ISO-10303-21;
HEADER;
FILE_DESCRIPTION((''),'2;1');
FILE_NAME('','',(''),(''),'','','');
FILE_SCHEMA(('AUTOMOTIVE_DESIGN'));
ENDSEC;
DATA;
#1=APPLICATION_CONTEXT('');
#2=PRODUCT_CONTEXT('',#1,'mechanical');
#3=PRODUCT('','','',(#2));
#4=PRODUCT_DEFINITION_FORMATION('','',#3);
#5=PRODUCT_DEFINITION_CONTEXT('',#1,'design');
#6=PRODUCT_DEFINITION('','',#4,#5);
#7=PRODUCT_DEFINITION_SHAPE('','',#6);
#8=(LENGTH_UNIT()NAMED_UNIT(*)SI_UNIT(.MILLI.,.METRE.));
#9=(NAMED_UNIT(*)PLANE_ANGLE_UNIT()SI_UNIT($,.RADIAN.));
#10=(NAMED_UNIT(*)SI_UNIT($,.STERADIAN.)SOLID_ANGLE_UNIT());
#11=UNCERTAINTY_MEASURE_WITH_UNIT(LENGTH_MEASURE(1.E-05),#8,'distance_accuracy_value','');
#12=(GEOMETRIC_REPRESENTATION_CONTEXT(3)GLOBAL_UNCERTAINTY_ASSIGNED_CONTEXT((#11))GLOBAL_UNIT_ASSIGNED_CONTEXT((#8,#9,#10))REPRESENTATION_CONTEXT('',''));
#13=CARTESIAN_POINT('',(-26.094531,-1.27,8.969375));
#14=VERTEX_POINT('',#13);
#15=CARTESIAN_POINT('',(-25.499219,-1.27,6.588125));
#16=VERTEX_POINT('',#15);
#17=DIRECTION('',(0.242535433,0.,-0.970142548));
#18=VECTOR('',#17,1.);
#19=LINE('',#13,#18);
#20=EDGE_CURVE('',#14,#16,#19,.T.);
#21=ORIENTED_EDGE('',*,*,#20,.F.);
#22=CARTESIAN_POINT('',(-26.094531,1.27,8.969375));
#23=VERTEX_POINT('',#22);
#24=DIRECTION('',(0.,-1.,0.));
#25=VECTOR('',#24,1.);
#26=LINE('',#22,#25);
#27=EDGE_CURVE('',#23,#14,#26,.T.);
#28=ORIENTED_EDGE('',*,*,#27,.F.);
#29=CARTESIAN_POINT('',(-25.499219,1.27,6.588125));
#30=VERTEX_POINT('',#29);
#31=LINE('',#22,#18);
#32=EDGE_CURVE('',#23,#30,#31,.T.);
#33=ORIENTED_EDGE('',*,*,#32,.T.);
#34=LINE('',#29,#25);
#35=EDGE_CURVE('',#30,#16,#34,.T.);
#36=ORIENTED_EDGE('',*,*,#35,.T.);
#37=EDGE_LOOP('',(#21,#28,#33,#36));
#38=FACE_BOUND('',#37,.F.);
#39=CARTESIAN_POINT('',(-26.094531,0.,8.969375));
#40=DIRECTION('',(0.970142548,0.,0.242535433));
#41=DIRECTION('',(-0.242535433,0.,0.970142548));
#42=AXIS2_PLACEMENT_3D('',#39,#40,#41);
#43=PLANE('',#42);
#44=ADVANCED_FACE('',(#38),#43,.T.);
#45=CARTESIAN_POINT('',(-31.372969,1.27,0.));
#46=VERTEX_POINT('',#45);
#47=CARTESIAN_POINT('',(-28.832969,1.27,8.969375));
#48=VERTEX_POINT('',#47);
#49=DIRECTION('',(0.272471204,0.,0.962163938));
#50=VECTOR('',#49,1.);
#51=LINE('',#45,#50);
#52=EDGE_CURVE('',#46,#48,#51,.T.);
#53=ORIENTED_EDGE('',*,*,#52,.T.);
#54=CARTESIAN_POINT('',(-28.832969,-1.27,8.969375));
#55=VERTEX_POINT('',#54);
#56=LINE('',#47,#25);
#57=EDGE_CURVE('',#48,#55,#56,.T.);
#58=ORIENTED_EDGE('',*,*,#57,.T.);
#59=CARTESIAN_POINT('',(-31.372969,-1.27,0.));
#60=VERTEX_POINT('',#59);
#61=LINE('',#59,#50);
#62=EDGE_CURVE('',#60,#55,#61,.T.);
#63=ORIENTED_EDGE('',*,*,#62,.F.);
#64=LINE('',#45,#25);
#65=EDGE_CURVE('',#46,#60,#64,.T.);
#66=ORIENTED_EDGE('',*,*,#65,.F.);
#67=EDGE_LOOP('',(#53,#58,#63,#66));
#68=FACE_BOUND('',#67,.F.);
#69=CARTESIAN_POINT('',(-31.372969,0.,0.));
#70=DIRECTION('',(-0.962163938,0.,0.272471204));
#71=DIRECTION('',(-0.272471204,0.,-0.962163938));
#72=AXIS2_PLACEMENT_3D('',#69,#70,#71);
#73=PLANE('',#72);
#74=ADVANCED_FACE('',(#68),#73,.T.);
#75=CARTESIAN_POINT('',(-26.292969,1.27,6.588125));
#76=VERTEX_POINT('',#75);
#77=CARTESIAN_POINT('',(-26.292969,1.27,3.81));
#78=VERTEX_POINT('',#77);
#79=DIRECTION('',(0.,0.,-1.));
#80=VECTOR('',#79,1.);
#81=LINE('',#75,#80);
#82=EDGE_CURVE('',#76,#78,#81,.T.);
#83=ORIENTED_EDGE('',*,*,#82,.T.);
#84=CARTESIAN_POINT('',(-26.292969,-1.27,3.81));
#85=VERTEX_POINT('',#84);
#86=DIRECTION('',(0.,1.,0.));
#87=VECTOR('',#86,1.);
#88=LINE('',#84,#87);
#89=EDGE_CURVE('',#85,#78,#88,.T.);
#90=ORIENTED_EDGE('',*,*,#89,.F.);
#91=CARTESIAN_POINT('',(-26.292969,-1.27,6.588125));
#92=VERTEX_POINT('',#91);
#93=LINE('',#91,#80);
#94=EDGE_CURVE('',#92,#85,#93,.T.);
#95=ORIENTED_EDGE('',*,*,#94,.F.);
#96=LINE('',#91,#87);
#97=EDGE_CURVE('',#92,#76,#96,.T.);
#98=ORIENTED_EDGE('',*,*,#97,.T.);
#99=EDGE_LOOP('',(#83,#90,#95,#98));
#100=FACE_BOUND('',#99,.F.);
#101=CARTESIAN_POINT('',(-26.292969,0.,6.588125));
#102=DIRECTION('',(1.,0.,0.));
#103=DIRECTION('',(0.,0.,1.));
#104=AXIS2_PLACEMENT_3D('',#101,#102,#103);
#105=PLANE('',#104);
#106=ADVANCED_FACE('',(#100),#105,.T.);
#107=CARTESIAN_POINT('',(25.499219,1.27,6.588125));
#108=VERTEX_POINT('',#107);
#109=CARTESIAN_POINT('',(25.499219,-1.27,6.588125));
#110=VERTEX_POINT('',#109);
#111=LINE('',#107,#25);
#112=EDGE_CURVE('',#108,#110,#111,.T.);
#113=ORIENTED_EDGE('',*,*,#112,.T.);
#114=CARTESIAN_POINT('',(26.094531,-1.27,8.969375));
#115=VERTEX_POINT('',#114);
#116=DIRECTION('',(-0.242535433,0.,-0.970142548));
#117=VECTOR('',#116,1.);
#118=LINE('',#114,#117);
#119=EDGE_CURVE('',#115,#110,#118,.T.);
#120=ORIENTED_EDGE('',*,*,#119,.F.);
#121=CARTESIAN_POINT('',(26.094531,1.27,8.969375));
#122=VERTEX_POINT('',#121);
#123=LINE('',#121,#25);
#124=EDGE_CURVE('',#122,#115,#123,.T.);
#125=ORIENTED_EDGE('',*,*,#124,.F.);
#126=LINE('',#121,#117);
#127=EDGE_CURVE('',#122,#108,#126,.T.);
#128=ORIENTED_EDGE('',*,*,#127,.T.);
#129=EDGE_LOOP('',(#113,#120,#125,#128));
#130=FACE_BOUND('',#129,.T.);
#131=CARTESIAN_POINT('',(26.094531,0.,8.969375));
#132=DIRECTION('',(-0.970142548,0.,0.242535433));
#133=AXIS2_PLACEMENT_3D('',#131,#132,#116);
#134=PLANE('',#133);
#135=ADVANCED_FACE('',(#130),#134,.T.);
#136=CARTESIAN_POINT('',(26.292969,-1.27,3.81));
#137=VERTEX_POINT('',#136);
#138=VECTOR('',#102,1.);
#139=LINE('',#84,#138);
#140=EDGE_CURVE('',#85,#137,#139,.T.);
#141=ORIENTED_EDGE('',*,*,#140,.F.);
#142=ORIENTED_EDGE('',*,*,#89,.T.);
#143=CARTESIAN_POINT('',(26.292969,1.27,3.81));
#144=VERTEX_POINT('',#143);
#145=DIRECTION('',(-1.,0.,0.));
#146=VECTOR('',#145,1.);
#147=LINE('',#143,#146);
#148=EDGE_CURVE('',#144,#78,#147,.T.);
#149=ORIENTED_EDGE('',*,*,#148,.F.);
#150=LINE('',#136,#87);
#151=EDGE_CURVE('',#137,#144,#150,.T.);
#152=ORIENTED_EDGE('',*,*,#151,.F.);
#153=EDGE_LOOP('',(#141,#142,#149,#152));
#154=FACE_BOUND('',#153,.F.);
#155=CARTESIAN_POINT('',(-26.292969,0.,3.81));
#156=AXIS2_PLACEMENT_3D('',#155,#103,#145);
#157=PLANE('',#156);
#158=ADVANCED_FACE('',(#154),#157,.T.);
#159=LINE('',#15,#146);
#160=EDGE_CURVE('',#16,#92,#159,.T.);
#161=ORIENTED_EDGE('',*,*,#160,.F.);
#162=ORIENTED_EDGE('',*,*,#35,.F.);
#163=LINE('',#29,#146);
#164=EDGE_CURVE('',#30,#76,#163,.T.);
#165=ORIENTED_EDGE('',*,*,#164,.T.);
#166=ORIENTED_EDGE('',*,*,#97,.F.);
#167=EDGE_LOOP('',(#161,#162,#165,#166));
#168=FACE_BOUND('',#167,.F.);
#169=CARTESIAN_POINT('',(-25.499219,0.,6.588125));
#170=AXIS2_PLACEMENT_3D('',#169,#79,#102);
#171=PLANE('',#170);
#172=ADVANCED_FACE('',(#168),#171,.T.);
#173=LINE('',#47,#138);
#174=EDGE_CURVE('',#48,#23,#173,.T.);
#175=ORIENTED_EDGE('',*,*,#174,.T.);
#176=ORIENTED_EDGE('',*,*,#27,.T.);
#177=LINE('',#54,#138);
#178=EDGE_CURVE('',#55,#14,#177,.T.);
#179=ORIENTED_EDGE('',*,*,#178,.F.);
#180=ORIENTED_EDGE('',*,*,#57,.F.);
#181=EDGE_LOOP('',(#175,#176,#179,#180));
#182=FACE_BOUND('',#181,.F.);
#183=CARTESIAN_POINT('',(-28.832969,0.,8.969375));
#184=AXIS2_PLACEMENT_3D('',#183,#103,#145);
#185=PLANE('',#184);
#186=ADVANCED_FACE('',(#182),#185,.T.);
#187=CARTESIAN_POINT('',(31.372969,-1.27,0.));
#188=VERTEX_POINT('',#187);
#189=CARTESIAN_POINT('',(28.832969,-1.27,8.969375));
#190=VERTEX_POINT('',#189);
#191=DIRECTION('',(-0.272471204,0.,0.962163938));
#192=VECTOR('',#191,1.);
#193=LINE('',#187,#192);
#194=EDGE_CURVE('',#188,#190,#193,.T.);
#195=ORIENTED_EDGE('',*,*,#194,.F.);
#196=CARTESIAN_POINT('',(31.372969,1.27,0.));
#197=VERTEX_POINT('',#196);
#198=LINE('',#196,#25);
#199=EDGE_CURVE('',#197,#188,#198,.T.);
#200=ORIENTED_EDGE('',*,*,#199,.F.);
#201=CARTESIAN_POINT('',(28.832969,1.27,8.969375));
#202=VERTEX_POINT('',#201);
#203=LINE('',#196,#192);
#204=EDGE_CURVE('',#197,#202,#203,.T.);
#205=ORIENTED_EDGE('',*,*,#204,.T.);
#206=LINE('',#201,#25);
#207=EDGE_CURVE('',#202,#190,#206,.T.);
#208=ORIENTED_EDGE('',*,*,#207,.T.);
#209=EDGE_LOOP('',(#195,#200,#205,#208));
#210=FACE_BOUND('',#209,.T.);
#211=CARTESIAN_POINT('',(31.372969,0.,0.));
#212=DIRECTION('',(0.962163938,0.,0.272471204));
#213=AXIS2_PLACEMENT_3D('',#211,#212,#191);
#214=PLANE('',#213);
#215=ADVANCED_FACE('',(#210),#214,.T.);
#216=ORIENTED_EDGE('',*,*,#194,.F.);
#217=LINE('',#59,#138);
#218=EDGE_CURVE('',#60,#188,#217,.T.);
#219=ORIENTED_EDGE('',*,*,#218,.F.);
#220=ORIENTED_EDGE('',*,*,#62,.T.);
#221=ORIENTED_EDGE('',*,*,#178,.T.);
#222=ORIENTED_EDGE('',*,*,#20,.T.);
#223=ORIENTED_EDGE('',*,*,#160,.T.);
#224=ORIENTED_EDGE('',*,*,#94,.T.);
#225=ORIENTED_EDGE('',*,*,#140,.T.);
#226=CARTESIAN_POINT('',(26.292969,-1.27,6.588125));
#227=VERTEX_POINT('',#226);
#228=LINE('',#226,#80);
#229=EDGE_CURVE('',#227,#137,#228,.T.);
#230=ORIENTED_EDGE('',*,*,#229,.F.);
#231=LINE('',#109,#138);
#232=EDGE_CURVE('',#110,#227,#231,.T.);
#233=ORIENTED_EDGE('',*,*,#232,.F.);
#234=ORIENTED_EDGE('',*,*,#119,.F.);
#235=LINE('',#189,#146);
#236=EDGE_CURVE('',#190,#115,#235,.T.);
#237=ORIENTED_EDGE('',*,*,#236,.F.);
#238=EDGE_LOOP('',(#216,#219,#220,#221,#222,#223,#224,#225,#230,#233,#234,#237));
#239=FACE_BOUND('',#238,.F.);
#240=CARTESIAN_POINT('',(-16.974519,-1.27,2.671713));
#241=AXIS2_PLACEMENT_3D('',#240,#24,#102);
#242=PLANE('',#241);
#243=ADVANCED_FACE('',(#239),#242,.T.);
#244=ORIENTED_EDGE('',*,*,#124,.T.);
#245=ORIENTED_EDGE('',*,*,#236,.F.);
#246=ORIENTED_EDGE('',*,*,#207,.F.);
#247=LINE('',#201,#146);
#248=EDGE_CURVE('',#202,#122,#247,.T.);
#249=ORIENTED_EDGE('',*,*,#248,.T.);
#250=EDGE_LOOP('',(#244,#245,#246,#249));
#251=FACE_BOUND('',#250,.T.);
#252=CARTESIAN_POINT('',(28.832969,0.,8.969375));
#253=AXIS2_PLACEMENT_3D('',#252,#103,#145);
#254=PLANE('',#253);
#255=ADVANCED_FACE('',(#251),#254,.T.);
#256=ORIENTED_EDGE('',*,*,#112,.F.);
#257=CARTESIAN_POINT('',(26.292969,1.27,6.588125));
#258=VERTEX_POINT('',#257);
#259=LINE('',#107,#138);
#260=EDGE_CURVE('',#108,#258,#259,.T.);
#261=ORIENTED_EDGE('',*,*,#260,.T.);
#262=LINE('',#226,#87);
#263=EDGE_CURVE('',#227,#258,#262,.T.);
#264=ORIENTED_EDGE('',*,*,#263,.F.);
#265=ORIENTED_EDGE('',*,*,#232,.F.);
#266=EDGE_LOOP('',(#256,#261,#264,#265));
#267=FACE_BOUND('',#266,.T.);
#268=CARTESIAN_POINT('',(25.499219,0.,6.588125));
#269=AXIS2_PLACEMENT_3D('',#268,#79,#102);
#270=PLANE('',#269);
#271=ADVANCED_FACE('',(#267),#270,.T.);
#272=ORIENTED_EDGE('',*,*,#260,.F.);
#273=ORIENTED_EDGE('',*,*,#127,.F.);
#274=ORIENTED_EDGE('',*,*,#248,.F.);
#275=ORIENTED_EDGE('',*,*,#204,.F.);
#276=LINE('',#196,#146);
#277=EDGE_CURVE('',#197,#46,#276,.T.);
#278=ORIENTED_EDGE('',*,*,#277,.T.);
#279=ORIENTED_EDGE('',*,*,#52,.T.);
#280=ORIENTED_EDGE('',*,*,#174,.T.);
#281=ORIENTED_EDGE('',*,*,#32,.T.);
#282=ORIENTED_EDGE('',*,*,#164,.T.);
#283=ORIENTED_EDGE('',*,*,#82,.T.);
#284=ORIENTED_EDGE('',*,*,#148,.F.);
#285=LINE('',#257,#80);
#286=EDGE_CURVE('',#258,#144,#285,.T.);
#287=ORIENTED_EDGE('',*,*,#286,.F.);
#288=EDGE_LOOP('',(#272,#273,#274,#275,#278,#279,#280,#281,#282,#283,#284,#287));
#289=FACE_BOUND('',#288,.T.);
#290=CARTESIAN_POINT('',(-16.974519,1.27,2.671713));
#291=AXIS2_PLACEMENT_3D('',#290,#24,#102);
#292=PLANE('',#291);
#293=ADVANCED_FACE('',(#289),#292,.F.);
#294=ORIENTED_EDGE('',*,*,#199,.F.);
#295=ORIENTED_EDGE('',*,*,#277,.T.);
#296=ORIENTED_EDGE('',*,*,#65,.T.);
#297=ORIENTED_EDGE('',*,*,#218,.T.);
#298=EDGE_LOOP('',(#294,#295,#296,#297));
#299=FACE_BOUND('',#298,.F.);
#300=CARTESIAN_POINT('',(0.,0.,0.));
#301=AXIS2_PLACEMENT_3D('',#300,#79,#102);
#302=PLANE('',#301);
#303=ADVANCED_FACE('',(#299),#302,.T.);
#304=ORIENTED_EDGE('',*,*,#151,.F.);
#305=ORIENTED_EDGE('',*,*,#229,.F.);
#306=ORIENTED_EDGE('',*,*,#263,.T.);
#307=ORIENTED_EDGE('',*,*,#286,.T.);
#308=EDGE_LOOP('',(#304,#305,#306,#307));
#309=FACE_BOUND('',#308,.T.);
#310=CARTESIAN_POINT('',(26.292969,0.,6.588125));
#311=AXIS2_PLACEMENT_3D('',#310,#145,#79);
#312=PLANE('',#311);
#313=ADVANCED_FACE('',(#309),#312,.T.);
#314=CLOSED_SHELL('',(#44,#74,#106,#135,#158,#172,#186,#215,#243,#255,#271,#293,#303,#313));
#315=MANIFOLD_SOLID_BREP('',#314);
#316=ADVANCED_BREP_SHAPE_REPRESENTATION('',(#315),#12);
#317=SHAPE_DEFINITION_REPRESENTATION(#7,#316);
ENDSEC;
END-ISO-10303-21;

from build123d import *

# Parameters (mm, degrees)
F1_DEPTH = 1.27


with BuildPart() as f1:
    # F0 (on Front) → F1 (new body, symmetric)
    with BuildSketch(Plane.XZ):
        Polygon((0, 3.81), (0, 0), (31.372969, 0), (28.832969, 8.969375), (26.094531, 8.969375), (25.499219, 6.588125), (26.292969, 6.588125), (26.292969, 3.81), align=None)
    extrude(amount=F1_DEPTH, both=True)

    # F2: F1 across plane


with BuildPart() as f1_1:
    add(f1.part)
    add(f1.part.mirror(Plane.YZ))


solid = f1_1.part
